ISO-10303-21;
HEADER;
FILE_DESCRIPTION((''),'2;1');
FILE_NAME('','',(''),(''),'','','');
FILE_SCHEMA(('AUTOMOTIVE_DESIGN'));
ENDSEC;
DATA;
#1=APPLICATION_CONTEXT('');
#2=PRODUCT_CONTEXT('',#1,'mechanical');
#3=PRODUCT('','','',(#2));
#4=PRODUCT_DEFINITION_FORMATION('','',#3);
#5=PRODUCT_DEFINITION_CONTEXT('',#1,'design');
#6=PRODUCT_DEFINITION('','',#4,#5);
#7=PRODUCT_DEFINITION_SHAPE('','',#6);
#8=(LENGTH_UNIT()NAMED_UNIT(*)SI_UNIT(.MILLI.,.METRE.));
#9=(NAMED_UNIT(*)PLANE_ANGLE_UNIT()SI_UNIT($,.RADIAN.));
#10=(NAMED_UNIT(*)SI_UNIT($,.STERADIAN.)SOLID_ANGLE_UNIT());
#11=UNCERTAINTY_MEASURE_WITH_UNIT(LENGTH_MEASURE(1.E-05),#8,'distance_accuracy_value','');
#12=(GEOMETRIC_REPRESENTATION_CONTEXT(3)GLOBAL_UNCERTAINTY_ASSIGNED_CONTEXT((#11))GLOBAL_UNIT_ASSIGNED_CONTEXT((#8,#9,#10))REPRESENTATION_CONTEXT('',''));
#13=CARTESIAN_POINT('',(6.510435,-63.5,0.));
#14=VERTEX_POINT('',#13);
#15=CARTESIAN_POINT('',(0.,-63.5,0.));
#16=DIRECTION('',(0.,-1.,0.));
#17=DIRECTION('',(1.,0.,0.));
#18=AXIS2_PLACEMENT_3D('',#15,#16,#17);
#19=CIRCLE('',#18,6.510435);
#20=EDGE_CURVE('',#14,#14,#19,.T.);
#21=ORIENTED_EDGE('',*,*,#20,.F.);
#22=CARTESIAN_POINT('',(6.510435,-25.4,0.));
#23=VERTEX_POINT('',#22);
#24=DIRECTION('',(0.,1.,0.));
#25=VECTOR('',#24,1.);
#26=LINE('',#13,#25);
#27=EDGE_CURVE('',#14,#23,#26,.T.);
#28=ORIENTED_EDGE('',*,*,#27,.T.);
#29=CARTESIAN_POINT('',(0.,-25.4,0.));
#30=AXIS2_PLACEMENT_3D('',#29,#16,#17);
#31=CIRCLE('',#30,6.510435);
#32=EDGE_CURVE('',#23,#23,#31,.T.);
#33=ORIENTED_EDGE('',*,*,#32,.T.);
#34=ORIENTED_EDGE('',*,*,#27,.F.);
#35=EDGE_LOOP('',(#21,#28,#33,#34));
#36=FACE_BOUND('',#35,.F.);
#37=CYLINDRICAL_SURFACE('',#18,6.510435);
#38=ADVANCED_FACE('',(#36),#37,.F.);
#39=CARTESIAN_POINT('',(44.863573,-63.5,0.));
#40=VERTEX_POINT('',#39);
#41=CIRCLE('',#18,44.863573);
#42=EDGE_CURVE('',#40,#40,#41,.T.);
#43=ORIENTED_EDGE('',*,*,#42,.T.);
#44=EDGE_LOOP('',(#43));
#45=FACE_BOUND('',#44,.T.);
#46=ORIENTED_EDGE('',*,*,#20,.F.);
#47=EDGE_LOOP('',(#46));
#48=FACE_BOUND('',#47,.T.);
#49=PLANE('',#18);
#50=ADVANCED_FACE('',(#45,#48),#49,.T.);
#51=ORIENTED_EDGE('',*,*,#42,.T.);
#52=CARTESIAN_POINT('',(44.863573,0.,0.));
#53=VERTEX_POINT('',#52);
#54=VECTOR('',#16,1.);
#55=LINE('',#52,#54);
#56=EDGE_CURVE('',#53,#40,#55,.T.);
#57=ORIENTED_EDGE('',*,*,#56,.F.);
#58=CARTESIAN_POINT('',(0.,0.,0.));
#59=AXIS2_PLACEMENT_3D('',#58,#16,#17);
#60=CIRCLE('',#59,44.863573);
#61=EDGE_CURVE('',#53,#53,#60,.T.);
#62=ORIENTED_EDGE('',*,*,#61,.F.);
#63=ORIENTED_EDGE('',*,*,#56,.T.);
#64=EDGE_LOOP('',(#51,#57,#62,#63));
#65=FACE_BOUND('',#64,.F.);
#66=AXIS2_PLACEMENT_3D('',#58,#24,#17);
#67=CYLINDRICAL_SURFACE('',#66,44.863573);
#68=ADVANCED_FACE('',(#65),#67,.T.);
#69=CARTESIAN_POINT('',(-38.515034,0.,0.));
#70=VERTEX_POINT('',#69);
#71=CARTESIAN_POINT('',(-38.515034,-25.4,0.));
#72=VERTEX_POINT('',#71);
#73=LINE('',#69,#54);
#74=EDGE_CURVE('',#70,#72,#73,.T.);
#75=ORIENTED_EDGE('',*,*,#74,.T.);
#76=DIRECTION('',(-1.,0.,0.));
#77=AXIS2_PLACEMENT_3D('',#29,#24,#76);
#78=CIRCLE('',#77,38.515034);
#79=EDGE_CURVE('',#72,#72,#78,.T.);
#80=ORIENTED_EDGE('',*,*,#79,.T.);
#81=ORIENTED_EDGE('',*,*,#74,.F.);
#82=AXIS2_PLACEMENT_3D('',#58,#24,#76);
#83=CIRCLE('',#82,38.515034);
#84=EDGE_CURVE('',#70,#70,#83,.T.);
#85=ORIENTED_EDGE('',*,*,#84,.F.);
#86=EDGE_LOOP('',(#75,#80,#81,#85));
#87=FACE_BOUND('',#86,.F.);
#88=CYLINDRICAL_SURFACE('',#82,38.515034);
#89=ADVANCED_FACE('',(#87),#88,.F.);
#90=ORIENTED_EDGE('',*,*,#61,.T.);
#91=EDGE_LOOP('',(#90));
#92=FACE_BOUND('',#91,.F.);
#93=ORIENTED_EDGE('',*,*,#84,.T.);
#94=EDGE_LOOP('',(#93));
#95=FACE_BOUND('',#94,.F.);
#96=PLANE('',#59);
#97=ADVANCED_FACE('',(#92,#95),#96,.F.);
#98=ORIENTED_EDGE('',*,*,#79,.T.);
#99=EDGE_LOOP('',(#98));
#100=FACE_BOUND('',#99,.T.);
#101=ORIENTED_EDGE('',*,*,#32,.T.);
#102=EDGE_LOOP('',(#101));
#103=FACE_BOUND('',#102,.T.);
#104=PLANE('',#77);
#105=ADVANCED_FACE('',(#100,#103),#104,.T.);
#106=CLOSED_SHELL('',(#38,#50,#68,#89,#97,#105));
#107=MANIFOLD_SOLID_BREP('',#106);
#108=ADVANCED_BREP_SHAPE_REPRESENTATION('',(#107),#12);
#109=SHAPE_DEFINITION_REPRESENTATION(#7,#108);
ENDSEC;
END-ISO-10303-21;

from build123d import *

# Parameters (mm, degrees)
F0_R     = 44.863573
F1_DEPTH = 63.5
F2_R     = 38.515034
F3_DEPTH = 25.4
F4_R     = 6.510435
F5_DEPTH = 63.5


with BuildPart() as f1:
    # F0 (on Front) → F1 (new body)
    with BuildSketch(Plane.XZ):
        Circle(F0_R)
    extrude(amount=F1_DEPTH)

    # F2 (on face) → F3 (cut)
    with BuildSketch(Plane(origin=(0, 0, 0), x_dir=(-1, 0, 0), z_dir=(0, 1, 0))):
        Circle(F2_R)
    extrude(amount=-F3_DEPTH, mode=Mode.SUBTRACT)

    # F4 (on face) → F5 (cut)
    with BuildSketch(Plane.XZ.offset(63.5)):
        Circle(F4_R)
    extrude(amount=-F5_DEPTH, mode=Mode.SUBTRACT)


solid = f1.part
